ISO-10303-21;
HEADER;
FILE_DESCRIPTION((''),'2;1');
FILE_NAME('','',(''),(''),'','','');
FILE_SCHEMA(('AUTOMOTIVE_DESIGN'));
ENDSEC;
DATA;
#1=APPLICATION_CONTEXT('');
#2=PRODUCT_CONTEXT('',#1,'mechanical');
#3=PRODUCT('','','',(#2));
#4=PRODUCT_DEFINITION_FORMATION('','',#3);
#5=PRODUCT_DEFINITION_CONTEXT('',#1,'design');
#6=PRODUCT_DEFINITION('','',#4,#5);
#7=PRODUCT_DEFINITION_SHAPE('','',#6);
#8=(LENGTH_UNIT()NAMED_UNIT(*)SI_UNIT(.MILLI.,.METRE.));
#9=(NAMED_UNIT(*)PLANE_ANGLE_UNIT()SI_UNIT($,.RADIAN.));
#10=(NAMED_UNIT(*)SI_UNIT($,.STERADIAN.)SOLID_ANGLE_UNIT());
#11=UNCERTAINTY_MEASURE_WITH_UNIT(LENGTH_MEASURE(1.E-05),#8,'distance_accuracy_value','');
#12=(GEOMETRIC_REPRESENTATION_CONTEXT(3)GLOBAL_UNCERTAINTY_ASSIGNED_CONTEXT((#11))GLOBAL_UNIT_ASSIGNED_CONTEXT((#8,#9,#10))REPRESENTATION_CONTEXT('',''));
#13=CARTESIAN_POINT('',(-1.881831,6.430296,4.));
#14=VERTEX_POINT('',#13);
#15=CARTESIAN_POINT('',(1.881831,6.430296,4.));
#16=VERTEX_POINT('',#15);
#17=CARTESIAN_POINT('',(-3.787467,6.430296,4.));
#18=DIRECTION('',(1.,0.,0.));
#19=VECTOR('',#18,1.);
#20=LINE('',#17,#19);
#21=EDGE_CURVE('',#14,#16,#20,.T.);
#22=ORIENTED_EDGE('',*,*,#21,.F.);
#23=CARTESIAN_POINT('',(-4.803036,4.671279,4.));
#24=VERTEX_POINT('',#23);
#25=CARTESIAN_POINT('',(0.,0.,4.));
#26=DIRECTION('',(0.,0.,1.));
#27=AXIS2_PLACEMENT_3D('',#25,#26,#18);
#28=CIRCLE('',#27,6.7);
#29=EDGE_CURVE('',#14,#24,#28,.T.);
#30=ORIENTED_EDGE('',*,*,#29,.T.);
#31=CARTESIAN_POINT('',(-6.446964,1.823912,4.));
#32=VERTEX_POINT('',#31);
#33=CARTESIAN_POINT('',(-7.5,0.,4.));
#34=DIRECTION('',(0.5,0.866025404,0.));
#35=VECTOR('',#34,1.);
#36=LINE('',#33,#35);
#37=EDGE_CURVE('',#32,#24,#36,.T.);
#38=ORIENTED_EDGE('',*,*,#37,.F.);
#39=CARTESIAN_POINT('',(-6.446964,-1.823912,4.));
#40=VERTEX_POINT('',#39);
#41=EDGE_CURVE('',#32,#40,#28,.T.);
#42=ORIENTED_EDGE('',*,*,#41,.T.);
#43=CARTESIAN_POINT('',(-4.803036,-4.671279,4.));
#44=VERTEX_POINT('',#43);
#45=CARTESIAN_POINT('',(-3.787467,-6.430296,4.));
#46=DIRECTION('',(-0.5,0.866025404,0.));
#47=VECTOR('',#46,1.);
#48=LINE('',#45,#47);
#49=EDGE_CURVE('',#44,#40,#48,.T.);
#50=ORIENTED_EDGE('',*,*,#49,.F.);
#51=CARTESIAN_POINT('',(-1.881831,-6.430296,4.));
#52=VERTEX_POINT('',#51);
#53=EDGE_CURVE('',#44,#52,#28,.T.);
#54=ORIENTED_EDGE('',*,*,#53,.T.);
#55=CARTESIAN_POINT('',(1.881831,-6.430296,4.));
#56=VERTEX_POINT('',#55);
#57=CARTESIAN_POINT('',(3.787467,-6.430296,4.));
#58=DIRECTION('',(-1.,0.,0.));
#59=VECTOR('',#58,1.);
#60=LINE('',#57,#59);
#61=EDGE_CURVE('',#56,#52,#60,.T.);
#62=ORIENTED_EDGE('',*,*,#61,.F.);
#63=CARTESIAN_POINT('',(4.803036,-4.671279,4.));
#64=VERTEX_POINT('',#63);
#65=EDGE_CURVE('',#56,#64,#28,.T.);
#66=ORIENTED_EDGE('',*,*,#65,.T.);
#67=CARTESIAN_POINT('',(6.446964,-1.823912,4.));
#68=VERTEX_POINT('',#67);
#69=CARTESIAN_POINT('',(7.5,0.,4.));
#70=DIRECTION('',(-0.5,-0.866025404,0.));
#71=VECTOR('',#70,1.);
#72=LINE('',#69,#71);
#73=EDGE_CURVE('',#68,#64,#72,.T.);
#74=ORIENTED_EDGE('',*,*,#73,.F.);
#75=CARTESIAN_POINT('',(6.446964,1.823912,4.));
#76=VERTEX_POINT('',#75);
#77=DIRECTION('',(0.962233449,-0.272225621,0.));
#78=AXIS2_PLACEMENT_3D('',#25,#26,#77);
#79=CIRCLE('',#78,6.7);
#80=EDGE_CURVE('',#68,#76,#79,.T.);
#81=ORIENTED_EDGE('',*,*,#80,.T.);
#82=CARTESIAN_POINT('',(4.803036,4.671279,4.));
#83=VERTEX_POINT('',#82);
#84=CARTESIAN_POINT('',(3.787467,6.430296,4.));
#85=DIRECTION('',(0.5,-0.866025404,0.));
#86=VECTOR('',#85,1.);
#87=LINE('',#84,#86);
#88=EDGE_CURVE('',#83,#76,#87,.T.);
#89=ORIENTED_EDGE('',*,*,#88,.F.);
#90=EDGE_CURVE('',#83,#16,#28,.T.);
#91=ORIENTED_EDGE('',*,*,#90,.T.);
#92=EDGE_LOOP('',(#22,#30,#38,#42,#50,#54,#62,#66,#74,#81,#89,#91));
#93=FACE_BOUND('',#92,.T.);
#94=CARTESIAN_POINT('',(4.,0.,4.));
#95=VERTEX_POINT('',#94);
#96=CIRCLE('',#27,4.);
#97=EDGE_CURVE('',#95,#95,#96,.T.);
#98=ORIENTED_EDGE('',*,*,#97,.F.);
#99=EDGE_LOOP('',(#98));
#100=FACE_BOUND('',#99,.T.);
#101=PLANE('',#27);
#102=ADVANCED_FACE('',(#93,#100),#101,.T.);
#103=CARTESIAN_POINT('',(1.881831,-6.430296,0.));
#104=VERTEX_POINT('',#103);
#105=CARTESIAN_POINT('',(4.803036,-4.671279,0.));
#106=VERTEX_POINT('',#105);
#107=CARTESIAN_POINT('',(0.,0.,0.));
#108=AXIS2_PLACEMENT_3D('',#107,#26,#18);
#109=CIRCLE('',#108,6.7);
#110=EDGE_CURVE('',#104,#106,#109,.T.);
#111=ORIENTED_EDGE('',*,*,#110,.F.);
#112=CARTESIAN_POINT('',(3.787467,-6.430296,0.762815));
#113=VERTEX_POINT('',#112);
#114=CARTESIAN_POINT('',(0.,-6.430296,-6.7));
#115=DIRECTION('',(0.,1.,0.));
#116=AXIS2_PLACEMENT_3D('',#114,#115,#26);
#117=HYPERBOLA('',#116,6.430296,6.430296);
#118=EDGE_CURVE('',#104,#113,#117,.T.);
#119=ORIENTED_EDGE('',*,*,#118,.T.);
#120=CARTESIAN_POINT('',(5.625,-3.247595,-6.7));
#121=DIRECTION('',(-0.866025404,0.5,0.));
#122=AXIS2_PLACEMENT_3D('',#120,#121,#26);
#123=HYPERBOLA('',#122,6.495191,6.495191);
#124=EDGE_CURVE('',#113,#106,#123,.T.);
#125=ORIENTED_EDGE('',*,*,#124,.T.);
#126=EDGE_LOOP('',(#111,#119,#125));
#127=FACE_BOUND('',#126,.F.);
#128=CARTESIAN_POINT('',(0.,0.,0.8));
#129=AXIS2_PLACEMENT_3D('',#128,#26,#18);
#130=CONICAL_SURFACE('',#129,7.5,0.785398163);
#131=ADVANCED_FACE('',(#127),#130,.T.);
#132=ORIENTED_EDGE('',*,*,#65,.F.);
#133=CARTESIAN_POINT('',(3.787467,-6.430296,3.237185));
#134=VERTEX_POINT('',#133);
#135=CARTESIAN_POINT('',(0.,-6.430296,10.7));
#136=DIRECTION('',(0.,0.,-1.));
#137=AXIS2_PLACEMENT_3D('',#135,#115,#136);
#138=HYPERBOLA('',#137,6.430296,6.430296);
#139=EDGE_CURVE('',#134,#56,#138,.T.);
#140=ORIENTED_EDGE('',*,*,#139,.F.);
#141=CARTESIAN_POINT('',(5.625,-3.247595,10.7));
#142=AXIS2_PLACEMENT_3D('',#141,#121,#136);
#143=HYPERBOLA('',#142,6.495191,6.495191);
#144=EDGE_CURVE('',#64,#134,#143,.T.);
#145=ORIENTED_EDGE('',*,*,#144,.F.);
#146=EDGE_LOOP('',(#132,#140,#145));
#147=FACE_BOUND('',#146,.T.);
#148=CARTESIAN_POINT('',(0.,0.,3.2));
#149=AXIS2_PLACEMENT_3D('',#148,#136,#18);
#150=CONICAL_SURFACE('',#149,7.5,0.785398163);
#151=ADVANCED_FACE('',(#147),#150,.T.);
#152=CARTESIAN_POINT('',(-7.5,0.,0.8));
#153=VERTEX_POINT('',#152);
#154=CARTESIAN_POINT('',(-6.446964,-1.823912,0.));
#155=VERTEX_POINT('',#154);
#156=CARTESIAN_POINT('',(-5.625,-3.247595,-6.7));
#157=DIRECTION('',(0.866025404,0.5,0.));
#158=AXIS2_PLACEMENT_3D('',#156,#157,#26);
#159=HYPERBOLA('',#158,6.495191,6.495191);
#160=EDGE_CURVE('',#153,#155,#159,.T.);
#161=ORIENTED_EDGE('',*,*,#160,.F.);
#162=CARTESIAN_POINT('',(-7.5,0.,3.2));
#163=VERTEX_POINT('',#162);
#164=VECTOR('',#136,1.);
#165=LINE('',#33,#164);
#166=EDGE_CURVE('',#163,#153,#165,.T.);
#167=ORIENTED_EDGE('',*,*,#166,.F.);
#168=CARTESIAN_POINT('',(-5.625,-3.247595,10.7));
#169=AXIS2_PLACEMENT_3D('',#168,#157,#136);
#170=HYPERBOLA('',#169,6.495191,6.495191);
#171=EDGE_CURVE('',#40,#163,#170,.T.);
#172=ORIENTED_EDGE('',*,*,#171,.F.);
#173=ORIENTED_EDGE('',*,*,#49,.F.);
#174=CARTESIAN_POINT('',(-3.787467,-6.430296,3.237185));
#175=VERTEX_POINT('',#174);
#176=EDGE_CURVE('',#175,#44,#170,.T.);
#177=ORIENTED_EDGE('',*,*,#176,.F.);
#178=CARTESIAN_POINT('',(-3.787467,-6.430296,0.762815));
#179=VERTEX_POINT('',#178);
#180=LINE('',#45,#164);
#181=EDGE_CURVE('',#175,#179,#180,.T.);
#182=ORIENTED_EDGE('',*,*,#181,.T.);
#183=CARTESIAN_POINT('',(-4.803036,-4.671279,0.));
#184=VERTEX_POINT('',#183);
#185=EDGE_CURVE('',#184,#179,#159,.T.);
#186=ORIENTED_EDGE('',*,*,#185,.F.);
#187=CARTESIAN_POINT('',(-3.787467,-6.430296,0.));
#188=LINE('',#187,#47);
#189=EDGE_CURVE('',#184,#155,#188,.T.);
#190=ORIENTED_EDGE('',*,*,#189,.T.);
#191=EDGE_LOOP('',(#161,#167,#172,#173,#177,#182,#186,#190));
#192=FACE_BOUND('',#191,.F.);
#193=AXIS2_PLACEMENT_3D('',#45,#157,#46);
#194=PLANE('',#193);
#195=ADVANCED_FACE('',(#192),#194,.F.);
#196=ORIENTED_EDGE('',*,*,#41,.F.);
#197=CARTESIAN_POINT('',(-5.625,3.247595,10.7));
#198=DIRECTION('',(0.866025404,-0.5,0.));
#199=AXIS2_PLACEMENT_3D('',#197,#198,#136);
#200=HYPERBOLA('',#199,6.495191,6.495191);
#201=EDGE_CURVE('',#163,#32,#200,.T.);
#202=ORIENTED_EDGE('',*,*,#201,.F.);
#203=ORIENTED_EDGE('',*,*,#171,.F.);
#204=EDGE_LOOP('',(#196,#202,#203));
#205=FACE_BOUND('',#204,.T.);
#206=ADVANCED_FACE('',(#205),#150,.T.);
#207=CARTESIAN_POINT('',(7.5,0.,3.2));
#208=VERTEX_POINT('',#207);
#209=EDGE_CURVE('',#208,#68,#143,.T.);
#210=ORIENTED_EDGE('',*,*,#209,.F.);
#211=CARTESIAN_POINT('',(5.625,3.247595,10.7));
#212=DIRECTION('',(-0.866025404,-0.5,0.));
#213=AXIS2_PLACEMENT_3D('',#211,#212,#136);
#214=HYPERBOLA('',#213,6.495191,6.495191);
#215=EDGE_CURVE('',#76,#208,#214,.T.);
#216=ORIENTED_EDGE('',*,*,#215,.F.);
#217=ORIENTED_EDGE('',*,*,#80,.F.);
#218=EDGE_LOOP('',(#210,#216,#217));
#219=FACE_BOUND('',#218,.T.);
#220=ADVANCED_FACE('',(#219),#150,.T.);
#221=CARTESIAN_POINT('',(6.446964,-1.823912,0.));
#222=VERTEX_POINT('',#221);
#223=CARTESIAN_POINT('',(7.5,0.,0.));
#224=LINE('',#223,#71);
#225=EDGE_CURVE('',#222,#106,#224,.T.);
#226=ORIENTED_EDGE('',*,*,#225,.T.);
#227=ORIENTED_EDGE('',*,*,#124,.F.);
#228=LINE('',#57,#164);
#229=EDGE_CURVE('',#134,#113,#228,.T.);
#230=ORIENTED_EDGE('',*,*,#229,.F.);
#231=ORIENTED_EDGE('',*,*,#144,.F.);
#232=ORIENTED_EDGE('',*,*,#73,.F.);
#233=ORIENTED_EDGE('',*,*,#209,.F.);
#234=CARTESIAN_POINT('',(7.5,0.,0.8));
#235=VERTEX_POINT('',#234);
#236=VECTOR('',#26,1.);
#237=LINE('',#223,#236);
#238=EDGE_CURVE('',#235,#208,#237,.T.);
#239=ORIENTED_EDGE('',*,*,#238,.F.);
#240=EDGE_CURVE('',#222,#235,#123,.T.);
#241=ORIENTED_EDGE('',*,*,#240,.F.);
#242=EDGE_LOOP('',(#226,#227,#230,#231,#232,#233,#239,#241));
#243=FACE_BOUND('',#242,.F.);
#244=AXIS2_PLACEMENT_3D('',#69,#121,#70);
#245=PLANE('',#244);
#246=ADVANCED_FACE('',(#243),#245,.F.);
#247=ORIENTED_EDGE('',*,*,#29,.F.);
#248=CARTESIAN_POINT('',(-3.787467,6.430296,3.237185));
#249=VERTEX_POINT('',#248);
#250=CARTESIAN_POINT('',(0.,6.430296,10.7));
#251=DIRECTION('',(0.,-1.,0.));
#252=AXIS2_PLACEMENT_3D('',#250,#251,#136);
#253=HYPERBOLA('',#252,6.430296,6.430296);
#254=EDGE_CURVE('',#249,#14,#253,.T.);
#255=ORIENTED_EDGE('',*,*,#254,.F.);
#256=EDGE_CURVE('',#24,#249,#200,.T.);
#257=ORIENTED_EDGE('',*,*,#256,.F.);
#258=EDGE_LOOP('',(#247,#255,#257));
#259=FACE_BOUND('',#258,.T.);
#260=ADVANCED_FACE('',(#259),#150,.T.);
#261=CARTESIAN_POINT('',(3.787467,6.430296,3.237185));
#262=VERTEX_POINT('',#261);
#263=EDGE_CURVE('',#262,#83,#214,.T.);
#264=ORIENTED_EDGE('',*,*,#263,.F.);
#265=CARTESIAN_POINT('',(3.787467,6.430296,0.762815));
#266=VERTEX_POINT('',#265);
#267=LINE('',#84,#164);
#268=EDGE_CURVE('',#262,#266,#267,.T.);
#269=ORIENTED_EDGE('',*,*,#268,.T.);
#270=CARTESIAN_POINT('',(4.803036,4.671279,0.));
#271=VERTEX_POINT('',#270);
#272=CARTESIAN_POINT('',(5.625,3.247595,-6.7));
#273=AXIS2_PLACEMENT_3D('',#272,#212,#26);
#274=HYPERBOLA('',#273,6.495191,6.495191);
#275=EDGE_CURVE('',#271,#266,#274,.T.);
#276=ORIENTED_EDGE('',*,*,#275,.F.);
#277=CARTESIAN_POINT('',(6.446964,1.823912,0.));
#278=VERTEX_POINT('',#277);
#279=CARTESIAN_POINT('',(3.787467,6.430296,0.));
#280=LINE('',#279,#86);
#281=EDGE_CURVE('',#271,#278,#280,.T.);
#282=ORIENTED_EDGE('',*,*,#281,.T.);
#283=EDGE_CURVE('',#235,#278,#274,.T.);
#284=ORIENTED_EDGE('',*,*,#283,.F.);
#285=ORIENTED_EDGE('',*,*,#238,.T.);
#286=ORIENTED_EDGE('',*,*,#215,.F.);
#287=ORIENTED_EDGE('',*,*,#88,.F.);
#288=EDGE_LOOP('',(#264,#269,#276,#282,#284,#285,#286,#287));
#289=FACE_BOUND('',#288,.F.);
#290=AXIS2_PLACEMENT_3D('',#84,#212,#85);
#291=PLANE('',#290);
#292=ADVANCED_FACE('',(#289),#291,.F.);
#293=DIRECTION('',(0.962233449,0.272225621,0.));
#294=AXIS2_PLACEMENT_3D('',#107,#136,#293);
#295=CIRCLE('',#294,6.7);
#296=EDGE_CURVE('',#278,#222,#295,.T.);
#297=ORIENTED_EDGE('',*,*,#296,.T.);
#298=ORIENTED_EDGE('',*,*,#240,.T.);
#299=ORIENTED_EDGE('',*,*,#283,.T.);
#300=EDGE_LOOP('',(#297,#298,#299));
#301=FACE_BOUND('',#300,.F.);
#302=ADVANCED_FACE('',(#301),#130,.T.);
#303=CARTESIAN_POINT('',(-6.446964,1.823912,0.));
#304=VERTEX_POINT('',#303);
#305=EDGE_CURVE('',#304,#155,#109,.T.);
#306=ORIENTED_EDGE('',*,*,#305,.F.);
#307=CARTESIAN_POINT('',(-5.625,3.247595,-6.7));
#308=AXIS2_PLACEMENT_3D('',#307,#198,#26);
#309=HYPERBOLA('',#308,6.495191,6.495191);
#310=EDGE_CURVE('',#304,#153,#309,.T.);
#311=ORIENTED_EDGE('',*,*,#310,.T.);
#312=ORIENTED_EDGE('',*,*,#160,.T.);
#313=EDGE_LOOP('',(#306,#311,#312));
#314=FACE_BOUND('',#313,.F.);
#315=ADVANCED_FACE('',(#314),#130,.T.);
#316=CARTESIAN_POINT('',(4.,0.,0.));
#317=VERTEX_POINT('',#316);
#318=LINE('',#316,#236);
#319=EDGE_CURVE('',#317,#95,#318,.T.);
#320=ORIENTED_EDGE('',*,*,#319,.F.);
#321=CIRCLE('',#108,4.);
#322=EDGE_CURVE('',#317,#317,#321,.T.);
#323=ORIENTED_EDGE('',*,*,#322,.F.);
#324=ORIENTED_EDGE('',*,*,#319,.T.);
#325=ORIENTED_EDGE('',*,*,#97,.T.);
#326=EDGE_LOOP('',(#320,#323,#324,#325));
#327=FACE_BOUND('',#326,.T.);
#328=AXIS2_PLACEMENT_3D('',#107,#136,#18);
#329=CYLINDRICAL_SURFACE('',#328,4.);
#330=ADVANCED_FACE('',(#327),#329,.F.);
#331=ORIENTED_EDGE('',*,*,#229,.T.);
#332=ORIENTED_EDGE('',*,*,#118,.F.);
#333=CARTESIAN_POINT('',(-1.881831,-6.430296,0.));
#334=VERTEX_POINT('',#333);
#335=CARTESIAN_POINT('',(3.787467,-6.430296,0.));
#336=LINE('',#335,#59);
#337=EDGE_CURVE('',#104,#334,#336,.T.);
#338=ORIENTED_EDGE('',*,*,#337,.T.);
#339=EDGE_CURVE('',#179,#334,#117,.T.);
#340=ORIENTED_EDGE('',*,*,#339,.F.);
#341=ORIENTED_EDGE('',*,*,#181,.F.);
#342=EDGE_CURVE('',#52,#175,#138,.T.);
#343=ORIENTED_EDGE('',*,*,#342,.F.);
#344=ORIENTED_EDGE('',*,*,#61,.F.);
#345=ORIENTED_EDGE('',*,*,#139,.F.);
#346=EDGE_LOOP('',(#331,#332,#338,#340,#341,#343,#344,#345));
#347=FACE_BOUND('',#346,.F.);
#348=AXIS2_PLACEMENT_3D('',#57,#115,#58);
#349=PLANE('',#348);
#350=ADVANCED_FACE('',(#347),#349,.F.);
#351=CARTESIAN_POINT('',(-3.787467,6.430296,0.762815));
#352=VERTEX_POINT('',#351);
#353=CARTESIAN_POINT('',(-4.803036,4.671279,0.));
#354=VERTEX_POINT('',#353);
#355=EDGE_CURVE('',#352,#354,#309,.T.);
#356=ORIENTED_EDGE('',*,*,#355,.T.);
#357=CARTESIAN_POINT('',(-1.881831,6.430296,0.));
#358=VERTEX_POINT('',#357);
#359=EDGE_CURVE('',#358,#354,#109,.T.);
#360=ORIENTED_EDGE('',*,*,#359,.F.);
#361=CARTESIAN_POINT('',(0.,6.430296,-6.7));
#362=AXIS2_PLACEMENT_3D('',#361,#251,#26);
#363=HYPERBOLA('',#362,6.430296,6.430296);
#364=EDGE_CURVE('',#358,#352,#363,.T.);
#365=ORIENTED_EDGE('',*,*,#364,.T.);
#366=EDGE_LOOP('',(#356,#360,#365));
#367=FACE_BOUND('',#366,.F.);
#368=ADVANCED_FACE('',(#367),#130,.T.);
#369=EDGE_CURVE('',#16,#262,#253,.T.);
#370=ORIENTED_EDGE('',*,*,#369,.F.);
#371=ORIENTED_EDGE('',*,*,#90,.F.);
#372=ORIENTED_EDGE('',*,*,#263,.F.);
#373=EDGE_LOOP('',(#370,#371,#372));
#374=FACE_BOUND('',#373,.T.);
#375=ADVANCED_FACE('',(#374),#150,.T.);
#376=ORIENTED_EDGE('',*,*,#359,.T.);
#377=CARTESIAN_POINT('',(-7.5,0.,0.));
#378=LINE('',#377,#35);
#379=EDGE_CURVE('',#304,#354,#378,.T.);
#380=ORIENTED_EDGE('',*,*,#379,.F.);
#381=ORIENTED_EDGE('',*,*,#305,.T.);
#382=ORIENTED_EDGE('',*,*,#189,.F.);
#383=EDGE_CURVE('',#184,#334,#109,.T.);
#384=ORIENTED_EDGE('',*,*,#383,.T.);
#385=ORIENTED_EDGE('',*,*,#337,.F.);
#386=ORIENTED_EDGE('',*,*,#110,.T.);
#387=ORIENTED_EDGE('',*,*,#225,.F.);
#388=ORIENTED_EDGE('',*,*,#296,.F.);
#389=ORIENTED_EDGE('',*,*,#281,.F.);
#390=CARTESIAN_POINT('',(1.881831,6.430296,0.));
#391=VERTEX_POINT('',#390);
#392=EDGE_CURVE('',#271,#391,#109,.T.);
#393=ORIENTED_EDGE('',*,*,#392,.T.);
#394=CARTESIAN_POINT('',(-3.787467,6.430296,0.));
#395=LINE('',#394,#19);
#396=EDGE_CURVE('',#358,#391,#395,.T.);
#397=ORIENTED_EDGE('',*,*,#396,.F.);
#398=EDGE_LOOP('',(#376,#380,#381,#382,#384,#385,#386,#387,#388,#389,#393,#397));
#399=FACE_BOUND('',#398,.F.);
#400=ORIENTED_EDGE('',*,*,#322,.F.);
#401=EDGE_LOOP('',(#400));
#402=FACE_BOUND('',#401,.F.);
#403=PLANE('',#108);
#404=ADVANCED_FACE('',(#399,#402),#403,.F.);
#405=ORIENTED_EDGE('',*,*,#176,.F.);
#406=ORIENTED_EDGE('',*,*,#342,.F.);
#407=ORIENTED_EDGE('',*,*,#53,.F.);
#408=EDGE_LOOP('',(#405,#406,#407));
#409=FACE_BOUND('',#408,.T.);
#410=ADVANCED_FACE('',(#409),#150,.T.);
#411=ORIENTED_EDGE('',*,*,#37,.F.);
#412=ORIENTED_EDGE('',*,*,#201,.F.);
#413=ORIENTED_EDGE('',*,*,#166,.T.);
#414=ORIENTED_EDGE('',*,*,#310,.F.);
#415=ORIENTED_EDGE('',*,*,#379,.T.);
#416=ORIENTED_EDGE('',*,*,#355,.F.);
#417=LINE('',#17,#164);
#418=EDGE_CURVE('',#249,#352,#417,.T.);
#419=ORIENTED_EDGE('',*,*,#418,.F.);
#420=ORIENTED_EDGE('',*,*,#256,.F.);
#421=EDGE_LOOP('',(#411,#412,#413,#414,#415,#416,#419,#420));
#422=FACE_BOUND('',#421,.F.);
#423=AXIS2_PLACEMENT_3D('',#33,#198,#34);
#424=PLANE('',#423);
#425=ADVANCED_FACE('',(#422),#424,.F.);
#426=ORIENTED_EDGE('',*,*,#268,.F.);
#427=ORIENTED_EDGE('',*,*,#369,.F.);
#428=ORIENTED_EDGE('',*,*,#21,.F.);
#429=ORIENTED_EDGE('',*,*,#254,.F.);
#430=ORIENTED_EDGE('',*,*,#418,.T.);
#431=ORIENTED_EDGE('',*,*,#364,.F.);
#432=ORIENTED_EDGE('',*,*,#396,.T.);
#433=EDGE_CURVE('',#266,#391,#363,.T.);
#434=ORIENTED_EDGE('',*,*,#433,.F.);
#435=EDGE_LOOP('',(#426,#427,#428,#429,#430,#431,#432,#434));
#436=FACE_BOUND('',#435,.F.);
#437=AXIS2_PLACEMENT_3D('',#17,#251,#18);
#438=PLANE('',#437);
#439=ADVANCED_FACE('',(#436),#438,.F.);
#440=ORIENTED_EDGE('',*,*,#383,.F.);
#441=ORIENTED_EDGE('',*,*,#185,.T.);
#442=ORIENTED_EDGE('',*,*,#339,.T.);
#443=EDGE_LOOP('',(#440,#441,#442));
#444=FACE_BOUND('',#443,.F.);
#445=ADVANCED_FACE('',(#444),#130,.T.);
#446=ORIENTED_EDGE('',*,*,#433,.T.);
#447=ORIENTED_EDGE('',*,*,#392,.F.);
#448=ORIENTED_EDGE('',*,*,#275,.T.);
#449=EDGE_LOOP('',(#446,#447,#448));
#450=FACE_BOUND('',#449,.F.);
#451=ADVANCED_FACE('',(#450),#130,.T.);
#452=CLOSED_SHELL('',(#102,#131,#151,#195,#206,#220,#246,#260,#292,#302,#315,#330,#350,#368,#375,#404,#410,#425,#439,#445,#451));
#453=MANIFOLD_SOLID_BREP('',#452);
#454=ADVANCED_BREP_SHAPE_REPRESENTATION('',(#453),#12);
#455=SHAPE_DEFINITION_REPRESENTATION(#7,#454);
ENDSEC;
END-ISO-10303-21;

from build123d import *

# Parameters (mm, degrees)
ESQUISSE1_R             = 7.5
ESQUISSE1_R_2           = 4
BASE_EXTRUSION_DEPTH    = 4
CHANFREIN1_SIZE         = 0.8
ESQUISSE2_W             = 18
ESQUISSE2_H             = 18
ENL_V_MAT_EXTRU_1_DEPTH = 4


with BuildPart() as part:
    # Esquisse1 → Base-Extrusion (new body)
    with BuildSketch(Plane.XY):
        Circle(ESQUISSE1_R)
        Circle(ESQUISSE1_R_2, mode=Mode.SUBTRACT)
    extrude(amount=BASE_EXTRUSION_DEPTH)

    # Chanfrein1
    chanfrein1_edges = [part.edges().sort_by_distance(p)[0] for p in [
        (-7.5, 0, 0),
        (-7.5, 0, 4),
    ]]
    chamfer(chanfrein1_edges, length=CHANFREIN1_SIZE)

    # Esquisse2 → Enlèv. mat.-Extru.1 (cut)
    with BuildSketch(Plane.XY.offset(4)):
        Rectangle(ESQUISSE2_W, ESQUISSE2_H)
        Polygon((-7.5, 0), (-3.787466677, 6.43029634), (3.787466677, 6.43029634), (7.5, 0), (3.787466677, -6.43029634), (-3.787466677, -6.43029634), align=None, mode=Mode.SUBTRACT)
    extrude(amount=-ENL_V_MAT_EXTRU_1_DEPTH, mode=Mode.SUBTRACT)


solid = part.part
